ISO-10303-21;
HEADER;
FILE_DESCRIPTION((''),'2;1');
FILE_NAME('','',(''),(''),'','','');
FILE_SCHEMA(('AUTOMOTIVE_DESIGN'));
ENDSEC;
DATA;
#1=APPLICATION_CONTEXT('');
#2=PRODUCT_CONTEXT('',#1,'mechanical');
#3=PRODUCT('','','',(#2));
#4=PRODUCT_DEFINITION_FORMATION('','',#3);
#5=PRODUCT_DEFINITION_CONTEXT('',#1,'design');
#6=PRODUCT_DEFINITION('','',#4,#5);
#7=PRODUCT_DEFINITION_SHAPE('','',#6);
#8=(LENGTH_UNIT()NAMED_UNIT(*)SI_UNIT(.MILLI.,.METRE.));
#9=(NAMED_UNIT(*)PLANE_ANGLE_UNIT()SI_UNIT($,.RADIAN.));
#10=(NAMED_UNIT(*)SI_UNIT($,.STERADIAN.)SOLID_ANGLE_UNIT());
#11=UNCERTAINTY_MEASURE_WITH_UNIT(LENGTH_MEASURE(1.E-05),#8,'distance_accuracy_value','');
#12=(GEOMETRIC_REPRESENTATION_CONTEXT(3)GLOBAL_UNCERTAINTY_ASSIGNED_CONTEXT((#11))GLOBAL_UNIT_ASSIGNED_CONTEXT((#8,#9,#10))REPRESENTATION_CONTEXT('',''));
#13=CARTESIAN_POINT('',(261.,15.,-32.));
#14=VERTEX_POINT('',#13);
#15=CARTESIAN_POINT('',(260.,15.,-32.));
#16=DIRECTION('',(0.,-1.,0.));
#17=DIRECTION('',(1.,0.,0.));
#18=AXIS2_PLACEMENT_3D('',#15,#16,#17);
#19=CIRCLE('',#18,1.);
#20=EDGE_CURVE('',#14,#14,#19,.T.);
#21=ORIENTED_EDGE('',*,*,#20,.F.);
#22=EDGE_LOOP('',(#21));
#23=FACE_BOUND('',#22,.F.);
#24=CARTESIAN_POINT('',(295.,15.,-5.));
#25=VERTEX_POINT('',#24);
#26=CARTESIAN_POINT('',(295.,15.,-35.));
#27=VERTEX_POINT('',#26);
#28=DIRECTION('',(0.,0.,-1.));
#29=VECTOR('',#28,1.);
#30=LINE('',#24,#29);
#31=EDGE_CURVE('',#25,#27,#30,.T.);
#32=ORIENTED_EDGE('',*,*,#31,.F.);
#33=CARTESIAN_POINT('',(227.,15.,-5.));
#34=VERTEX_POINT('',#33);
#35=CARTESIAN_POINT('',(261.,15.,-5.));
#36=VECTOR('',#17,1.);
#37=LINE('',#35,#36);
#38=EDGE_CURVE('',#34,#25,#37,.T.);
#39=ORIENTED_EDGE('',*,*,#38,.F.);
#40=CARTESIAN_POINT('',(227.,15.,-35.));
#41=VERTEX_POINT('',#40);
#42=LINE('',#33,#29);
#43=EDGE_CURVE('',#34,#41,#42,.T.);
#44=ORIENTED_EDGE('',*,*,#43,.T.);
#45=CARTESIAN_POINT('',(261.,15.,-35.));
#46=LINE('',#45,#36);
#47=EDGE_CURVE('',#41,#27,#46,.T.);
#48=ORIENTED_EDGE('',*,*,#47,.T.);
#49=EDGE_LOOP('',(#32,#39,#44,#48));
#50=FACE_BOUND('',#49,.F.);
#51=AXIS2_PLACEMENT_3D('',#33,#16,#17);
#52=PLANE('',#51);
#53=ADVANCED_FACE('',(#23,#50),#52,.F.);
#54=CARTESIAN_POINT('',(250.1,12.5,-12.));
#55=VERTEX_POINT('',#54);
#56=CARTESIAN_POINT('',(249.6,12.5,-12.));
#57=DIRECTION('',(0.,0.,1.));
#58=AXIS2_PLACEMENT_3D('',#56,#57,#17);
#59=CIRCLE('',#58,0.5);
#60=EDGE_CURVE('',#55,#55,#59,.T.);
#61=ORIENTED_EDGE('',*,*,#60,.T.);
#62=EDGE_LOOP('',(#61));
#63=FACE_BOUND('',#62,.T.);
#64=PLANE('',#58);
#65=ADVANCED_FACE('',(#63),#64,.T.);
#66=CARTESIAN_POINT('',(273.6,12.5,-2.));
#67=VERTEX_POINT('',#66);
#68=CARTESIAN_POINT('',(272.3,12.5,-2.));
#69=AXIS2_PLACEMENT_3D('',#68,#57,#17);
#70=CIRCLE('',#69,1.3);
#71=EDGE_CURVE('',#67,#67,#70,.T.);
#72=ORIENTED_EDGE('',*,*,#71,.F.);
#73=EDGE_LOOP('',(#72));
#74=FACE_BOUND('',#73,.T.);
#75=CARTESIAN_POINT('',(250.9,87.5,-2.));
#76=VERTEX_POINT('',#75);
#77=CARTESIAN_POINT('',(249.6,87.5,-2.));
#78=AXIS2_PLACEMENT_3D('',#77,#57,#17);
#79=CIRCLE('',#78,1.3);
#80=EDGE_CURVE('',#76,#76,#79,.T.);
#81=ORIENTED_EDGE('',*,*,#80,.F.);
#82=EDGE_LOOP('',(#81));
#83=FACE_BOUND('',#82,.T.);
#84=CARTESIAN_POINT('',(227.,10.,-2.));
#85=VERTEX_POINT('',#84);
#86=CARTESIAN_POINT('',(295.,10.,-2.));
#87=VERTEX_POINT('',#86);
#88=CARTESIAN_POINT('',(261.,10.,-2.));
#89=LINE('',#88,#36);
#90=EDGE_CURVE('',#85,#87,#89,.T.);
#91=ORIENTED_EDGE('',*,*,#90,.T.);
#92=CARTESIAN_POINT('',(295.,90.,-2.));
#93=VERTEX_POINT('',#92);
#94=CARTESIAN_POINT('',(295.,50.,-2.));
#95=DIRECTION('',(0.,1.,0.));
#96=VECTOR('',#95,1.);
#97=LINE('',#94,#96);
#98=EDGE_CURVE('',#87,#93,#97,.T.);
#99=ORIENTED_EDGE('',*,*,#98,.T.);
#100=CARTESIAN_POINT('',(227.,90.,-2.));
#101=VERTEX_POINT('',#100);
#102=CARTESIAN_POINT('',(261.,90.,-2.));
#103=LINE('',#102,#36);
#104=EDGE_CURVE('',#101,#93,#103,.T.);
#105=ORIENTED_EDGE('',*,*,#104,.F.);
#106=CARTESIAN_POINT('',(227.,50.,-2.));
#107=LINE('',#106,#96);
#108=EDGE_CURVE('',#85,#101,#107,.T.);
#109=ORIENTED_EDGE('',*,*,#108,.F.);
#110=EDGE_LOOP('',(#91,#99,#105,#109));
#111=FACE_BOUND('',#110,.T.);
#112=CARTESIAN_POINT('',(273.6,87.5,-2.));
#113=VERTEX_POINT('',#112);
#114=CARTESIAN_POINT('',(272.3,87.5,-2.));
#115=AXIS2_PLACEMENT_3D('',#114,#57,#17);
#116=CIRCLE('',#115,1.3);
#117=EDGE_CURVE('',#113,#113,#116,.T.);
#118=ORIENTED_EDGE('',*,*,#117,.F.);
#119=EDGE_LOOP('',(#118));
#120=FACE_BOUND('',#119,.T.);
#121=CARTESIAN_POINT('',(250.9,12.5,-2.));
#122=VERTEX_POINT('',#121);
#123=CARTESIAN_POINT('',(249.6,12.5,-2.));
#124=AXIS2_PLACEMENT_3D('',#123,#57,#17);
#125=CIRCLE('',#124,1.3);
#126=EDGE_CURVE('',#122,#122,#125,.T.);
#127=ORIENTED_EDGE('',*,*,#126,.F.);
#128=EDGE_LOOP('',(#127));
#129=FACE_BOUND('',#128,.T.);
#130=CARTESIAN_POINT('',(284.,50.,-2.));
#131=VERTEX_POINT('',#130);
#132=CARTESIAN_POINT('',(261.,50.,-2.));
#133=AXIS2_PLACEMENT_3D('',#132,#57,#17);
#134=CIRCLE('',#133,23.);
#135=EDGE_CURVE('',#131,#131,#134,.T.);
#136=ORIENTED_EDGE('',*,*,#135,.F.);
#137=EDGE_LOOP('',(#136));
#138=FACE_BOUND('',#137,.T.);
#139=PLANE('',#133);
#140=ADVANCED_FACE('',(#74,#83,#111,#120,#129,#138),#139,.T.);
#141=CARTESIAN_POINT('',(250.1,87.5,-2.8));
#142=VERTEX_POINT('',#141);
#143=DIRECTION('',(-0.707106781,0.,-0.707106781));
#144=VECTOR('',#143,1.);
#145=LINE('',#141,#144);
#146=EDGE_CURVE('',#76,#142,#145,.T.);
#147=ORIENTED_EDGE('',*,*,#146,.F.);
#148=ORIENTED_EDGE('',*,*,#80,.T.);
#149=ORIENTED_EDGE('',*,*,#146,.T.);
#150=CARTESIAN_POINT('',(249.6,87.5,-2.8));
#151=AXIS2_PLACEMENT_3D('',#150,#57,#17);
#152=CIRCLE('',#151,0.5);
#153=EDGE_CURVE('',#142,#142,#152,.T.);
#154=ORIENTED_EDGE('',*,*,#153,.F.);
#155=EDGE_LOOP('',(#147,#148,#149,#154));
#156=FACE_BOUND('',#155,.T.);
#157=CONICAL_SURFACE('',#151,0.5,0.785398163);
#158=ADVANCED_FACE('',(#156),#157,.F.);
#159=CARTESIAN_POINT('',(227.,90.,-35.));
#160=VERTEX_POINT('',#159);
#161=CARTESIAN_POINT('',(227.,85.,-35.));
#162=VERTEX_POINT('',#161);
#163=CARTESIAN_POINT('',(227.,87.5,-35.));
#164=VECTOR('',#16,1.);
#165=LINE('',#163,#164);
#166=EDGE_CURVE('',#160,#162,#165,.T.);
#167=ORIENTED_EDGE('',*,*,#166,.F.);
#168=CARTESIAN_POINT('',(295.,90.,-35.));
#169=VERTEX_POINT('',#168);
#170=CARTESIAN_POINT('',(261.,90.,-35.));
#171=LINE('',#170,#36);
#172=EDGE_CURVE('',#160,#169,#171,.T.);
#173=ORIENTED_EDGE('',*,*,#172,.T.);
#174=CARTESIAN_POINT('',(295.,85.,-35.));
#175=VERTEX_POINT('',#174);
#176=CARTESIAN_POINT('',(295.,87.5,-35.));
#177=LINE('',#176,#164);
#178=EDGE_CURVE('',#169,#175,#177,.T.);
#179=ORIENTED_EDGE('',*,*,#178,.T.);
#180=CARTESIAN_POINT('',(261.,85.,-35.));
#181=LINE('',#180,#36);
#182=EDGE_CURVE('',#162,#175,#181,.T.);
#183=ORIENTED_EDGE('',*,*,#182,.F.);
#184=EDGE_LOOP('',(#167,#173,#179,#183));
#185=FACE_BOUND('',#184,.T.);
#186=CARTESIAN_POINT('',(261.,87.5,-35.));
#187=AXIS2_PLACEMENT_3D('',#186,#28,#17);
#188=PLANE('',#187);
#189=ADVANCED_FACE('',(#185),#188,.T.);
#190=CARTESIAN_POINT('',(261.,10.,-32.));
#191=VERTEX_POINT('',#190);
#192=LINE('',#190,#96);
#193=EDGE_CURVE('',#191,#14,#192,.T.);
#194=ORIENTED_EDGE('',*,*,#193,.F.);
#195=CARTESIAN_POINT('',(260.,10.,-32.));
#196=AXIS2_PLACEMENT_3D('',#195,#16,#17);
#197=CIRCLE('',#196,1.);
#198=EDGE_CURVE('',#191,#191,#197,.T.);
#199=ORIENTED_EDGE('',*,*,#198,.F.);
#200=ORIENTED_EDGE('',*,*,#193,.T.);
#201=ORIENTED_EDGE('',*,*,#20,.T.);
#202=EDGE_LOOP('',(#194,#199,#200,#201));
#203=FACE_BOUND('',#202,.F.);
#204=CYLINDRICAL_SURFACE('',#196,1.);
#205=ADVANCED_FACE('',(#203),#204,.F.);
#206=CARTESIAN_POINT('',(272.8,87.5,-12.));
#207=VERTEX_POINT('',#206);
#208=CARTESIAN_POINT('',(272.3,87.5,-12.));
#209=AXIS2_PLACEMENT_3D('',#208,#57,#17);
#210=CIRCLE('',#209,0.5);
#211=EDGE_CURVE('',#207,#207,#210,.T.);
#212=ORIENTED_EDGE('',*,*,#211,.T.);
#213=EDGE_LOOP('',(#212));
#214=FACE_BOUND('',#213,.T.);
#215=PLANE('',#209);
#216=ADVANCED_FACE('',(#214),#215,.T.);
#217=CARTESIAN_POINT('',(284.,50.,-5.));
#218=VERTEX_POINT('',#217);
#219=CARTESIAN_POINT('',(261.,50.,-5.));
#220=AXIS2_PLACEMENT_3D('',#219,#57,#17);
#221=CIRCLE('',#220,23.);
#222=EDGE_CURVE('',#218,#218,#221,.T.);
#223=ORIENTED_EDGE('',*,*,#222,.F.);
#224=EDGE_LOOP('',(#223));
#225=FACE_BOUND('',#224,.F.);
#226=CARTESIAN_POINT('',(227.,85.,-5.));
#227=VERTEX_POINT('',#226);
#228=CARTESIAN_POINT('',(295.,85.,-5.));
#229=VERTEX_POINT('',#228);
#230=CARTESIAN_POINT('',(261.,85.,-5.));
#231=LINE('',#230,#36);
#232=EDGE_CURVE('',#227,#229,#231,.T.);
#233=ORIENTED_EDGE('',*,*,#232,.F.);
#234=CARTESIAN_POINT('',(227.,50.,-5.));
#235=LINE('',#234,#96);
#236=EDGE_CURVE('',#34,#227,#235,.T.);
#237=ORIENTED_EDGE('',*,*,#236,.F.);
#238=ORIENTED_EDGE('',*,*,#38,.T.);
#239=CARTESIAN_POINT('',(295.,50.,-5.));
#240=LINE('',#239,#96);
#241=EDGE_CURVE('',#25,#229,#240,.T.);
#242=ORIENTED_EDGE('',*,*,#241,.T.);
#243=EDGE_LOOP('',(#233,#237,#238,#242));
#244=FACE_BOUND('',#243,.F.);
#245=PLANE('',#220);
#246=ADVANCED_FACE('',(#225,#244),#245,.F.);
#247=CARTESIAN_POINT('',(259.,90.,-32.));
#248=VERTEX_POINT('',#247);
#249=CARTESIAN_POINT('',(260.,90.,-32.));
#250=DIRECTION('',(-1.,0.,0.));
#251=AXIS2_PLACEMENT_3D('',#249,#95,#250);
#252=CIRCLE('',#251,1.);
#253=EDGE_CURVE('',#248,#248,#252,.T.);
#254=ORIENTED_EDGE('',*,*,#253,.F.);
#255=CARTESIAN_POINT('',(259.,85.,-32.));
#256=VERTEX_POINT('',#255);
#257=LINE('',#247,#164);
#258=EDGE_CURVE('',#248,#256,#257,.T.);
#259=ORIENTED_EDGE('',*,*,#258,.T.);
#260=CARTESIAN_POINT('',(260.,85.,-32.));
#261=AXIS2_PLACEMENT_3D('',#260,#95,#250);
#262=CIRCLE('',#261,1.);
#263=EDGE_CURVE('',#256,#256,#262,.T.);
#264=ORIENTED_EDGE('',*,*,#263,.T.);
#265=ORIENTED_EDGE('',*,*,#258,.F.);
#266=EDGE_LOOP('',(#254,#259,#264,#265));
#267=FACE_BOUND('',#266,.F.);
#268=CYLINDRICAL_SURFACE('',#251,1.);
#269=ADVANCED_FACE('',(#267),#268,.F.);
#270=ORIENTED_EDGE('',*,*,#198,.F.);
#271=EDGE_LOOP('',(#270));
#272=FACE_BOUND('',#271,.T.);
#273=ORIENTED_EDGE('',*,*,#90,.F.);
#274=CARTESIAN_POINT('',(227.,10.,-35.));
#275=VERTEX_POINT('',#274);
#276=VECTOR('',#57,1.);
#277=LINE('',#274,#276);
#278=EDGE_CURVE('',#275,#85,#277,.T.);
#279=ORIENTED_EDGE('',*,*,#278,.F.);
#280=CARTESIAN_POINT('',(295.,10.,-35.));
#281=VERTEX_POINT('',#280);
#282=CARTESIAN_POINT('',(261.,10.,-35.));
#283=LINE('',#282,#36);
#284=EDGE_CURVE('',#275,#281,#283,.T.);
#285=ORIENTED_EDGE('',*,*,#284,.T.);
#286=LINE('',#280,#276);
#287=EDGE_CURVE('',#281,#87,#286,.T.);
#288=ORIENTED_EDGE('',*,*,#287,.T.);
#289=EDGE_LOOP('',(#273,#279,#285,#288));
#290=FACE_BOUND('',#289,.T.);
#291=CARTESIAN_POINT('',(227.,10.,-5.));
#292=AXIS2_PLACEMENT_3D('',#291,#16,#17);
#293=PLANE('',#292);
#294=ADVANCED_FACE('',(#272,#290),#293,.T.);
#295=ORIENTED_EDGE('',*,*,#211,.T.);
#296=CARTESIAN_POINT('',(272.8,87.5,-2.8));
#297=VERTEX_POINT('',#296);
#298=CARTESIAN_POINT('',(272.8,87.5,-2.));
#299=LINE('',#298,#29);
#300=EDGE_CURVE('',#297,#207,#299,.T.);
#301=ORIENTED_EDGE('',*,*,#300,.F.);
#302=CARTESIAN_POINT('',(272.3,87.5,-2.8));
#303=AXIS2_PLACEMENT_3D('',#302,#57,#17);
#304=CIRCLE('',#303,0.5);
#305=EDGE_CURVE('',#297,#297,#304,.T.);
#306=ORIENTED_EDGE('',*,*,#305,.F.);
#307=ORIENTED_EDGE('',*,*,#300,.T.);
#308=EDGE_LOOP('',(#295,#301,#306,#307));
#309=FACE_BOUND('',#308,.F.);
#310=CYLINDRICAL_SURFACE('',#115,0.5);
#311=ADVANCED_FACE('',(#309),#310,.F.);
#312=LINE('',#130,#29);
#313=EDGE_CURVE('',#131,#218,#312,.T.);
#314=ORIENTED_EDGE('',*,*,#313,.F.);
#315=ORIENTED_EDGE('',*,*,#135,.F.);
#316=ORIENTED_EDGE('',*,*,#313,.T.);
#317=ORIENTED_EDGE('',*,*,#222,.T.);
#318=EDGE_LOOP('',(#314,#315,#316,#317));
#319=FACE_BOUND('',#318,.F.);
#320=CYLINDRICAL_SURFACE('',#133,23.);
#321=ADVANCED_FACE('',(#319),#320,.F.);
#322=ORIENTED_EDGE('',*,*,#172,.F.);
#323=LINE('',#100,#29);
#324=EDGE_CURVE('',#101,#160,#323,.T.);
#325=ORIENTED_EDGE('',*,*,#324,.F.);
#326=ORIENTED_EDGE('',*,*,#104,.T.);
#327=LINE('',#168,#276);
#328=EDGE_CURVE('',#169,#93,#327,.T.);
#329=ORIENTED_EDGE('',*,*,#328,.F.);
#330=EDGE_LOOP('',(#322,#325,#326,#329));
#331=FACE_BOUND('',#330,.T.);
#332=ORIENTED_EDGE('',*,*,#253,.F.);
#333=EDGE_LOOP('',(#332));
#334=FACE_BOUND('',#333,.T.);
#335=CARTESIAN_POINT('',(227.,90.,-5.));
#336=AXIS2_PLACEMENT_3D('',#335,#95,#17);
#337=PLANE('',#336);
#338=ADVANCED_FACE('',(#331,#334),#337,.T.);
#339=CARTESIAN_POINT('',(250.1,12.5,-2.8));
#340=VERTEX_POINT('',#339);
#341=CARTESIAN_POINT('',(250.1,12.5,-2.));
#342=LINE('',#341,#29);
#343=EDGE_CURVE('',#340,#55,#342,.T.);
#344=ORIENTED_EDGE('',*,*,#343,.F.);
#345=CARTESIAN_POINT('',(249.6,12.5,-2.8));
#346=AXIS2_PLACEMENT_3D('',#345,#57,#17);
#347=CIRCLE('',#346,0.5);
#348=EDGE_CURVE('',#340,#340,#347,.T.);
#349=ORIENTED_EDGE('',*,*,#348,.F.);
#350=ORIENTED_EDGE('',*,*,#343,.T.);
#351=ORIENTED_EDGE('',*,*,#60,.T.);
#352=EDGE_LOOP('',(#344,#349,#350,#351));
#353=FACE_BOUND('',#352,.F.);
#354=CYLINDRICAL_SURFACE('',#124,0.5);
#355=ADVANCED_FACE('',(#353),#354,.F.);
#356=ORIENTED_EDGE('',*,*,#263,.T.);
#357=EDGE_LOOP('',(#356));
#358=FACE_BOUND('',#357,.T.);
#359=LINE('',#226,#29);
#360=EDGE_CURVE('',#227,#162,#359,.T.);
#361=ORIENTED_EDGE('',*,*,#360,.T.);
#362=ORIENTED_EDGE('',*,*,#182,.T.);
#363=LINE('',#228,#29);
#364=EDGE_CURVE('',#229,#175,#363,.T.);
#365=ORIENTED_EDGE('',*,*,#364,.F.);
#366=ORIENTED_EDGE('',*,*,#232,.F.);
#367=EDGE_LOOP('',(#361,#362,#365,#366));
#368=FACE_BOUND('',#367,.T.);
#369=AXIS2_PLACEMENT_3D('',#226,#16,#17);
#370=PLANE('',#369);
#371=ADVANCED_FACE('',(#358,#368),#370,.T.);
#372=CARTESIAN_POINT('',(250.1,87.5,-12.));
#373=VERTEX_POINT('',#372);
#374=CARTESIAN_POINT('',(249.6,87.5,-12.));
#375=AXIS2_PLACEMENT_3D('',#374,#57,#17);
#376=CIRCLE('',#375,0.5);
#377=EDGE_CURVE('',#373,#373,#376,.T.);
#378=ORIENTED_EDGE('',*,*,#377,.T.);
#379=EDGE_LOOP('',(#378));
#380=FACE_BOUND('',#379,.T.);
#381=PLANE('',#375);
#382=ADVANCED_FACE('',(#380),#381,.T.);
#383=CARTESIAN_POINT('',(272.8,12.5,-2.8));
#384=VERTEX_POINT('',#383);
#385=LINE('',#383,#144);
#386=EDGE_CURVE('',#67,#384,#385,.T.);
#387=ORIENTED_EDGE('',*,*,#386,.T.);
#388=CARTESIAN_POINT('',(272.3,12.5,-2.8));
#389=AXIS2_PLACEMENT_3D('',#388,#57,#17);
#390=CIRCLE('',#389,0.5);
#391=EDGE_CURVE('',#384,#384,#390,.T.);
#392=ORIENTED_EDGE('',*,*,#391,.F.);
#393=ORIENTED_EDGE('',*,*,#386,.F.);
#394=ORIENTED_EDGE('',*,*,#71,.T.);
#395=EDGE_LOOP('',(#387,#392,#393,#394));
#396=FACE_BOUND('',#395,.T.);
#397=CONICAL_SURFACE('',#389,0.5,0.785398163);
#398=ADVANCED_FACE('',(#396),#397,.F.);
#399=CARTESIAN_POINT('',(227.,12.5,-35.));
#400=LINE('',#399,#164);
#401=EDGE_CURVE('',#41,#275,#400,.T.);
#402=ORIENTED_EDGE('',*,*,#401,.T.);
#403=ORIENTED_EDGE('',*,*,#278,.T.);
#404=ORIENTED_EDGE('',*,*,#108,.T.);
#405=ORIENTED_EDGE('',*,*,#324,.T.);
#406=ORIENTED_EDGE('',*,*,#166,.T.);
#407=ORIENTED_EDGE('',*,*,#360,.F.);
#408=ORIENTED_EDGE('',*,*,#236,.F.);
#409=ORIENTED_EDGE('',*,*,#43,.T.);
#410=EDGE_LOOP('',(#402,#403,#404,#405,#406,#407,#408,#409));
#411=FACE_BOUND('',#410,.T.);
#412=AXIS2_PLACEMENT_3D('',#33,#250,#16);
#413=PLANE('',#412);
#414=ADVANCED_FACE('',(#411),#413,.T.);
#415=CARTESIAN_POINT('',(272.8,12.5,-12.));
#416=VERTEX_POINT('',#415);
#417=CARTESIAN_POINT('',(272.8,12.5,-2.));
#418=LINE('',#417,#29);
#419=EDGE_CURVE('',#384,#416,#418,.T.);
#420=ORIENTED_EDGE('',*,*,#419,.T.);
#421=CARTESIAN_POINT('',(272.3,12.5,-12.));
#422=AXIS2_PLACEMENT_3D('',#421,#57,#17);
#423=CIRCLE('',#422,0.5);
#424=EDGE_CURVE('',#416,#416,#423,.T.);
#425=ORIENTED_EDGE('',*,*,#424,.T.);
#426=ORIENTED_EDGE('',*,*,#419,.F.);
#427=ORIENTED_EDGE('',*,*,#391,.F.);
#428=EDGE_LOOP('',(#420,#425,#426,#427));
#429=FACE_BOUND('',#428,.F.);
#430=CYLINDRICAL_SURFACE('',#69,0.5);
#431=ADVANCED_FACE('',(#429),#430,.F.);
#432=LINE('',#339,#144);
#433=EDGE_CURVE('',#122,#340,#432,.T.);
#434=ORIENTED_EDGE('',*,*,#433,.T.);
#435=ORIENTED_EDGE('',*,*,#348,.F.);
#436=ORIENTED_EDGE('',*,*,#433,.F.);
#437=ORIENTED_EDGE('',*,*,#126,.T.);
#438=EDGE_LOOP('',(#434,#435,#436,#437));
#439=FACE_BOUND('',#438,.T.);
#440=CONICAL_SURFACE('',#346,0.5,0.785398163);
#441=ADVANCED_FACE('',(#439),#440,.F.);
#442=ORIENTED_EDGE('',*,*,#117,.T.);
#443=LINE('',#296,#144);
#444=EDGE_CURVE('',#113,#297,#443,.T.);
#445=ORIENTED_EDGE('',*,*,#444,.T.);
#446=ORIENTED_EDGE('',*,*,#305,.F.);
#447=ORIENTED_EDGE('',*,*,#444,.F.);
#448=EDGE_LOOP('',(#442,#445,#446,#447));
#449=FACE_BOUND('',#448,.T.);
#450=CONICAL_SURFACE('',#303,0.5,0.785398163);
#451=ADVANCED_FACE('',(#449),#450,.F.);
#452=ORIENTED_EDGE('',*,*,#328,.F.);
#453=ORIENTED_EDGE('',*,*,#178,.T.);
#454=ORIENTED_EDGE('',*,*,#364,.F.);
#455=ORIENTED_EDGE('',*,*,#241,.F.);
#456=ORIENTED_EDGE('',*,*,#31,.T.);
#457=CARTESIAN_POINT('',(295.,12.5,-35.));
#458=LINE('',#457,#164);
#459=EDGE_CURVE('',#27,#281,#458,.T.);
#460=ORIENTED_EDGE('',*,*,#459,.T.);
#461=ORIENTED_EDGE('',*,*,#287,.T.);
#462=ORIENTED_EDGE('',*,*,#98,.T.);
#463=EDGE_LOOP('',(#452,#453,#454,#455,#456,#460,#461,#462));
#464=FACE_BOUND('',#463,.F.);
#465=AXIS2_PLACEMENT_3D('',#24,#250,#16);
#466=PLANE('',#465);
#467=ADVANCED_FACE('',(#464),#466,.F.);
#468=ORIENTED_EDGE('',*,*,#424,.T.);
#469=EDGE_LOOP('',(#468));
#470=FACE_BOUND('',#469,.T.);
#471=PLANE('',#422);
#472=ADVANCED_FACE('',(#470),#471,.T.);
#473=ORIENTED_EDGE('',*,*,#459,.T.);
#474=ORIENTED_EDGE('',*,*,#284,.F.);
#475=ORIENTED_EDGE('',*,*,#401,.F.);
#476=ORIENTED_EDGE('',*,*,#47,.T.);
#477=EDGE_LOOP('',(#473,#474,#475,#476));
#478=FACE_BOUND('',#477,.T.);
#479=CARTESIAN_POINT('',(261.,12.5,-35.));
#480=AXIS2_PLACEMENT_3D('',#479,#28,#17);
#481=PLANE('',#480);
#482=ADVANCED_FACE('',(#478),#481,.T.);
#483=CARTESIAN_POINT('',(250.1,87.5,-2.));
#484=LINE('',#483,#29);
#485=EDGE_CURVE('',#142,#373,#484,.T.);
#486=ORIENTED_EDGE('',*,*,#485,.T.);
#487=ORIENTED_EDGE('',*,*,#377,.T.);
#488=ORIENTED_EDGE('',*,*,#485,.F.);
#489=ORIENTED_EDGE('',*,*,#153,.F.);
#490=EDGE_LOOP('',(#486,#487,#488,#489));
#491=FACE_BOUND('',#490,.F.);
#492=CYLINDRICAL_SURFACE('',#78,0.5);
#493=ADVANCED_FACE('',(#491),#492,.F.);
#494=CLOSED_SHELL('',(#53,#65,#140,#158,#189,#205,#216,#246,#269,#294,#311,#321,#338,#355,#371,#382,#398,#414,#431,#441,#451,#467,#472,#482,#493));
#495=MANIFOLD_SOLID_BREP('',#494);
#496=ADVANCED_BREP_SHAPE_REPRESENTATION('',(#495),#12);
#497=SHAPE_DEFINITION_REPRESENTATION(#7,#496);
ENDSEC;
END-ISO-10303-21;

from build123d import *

# Parameters (mm, degrees)
SKETCH009_W     = 68
SKETCH009_H     = 80
PAD005_DEPTH    = 3
SKETCH010_R     = 23
POCKET004_DEPTH = 3
SKETCH011_W     = 68
SKETCH011_H     = 5
PAD006_DEPTH    = 30
SKETCH024_R     = 1
POCKET017_DEPTH = 5
SKETCH025_R     = 1
POCKET018_DEPTH = 5
SKETCH026_R     = 0.5
POCKET019_DEPTH = 10
CHAMFER002_SIZE = 0.8


with BuildPart() as part:
    # Sketch009 → Pad005 (new body)
    with BuildSketch(Plane.XY):
        with Locations((34, 40)):
            Rectangle(SKETCH009_W, SKETCH009_H)
    extrude(amount=PAD005_DEPTH)

    # Sketch010 (on Face6 of Pad005) → Pocket004 (cut)
    with BuildSketch(Plane.XY.offset(3)):
        with Locations((34, 40)):
            Circle(SKETCH010_R)
    extrude(amount=-POCKET004_DEPTH, mode=Mode.SUBTRACT)

    # Sketch011 (on Face4 of Pocket004) → Pad006 (join)
    with BuildSketch(Plane(origin=(0, 0, 0), x_dir=(1, 0, 0), z_dir=(0, 0, -1))):
        with Locations((34, -2.5)):
            Rectangle(SKETCH011_W, SKETCH011_H)
        with Locations((34, -77.5)):
            Rectangle(SKETCH011_W, SKETCH011_H)
    extrude(amount=PAD006_DEPTH)

    # Sketch024 (on Face4 of Pad006) → Pocket017 (cut)
    with BuildSketch(Plane.XZ):
        with Locations((33, -27)):
            Circle(SKETCH024_R)
    extrude(amount=-POCKET017_DEPTH, mode=Mode.SUBTRACT)

    # Sketch025 (on Face15 of Pocket017) → Pocket018 (cut)
    with BuildSketch(Plane(origin=(0, 80, 0), x_dir=(-1, 0, 0), z_dir=(0, 1, 0))):
        with Locations((-33, -27)):
            Circle(SKETCH025_R)
    extrude(amount=-POCKET018_DEPTH, mode=Mode.SUBTRACT)

    # Sketch026 (on Face5 of Pocket018) → Pocket019 (cut)
    with BuildSketch(Plane.XY.offset(3)):
        with Locations((22.6, 2.5)):
            Circle(SKETCH026_R)
        with Locations((45.3, 2.5)):
            Circle(SKETCH026_R)
        with Locations((22.6, 77.5)):
            Circle(SKETCH026_R)
        with Locations((45.3, 77.5)):
            Circle(SKETCH026_R)
    extrude(amount=-POCKET019_DEPTH, mode=Mode.SUBTRACT)

    # Chamfer002
    chamfer002_edges = [part.edges().sort_by_distance(p)[0] for p in [
        (22.1, 2.5, 3),
        (44.8, 2.5, 3),
        (44.8, 77.5, 3),
        (22.1, 77.5, 3),
    ]]
    chamfer(chamfer002_edges, length=CHAMFER002_SIZE)


with BuildPart() as part_1:
    # Body004 placement: moved
    add(part.part.moved(Location((7, 10, -5))))


with BuildPart() as part_2:
    # Clone001 placement: moved
    add(part_1.part.moved(Location((3, 0, 0))))


with BuildPart() as part_3:
    # Body005 placement: moved
    add(part_2.part.moved(Location((217, 0, 0))))


solid = part_3.part
